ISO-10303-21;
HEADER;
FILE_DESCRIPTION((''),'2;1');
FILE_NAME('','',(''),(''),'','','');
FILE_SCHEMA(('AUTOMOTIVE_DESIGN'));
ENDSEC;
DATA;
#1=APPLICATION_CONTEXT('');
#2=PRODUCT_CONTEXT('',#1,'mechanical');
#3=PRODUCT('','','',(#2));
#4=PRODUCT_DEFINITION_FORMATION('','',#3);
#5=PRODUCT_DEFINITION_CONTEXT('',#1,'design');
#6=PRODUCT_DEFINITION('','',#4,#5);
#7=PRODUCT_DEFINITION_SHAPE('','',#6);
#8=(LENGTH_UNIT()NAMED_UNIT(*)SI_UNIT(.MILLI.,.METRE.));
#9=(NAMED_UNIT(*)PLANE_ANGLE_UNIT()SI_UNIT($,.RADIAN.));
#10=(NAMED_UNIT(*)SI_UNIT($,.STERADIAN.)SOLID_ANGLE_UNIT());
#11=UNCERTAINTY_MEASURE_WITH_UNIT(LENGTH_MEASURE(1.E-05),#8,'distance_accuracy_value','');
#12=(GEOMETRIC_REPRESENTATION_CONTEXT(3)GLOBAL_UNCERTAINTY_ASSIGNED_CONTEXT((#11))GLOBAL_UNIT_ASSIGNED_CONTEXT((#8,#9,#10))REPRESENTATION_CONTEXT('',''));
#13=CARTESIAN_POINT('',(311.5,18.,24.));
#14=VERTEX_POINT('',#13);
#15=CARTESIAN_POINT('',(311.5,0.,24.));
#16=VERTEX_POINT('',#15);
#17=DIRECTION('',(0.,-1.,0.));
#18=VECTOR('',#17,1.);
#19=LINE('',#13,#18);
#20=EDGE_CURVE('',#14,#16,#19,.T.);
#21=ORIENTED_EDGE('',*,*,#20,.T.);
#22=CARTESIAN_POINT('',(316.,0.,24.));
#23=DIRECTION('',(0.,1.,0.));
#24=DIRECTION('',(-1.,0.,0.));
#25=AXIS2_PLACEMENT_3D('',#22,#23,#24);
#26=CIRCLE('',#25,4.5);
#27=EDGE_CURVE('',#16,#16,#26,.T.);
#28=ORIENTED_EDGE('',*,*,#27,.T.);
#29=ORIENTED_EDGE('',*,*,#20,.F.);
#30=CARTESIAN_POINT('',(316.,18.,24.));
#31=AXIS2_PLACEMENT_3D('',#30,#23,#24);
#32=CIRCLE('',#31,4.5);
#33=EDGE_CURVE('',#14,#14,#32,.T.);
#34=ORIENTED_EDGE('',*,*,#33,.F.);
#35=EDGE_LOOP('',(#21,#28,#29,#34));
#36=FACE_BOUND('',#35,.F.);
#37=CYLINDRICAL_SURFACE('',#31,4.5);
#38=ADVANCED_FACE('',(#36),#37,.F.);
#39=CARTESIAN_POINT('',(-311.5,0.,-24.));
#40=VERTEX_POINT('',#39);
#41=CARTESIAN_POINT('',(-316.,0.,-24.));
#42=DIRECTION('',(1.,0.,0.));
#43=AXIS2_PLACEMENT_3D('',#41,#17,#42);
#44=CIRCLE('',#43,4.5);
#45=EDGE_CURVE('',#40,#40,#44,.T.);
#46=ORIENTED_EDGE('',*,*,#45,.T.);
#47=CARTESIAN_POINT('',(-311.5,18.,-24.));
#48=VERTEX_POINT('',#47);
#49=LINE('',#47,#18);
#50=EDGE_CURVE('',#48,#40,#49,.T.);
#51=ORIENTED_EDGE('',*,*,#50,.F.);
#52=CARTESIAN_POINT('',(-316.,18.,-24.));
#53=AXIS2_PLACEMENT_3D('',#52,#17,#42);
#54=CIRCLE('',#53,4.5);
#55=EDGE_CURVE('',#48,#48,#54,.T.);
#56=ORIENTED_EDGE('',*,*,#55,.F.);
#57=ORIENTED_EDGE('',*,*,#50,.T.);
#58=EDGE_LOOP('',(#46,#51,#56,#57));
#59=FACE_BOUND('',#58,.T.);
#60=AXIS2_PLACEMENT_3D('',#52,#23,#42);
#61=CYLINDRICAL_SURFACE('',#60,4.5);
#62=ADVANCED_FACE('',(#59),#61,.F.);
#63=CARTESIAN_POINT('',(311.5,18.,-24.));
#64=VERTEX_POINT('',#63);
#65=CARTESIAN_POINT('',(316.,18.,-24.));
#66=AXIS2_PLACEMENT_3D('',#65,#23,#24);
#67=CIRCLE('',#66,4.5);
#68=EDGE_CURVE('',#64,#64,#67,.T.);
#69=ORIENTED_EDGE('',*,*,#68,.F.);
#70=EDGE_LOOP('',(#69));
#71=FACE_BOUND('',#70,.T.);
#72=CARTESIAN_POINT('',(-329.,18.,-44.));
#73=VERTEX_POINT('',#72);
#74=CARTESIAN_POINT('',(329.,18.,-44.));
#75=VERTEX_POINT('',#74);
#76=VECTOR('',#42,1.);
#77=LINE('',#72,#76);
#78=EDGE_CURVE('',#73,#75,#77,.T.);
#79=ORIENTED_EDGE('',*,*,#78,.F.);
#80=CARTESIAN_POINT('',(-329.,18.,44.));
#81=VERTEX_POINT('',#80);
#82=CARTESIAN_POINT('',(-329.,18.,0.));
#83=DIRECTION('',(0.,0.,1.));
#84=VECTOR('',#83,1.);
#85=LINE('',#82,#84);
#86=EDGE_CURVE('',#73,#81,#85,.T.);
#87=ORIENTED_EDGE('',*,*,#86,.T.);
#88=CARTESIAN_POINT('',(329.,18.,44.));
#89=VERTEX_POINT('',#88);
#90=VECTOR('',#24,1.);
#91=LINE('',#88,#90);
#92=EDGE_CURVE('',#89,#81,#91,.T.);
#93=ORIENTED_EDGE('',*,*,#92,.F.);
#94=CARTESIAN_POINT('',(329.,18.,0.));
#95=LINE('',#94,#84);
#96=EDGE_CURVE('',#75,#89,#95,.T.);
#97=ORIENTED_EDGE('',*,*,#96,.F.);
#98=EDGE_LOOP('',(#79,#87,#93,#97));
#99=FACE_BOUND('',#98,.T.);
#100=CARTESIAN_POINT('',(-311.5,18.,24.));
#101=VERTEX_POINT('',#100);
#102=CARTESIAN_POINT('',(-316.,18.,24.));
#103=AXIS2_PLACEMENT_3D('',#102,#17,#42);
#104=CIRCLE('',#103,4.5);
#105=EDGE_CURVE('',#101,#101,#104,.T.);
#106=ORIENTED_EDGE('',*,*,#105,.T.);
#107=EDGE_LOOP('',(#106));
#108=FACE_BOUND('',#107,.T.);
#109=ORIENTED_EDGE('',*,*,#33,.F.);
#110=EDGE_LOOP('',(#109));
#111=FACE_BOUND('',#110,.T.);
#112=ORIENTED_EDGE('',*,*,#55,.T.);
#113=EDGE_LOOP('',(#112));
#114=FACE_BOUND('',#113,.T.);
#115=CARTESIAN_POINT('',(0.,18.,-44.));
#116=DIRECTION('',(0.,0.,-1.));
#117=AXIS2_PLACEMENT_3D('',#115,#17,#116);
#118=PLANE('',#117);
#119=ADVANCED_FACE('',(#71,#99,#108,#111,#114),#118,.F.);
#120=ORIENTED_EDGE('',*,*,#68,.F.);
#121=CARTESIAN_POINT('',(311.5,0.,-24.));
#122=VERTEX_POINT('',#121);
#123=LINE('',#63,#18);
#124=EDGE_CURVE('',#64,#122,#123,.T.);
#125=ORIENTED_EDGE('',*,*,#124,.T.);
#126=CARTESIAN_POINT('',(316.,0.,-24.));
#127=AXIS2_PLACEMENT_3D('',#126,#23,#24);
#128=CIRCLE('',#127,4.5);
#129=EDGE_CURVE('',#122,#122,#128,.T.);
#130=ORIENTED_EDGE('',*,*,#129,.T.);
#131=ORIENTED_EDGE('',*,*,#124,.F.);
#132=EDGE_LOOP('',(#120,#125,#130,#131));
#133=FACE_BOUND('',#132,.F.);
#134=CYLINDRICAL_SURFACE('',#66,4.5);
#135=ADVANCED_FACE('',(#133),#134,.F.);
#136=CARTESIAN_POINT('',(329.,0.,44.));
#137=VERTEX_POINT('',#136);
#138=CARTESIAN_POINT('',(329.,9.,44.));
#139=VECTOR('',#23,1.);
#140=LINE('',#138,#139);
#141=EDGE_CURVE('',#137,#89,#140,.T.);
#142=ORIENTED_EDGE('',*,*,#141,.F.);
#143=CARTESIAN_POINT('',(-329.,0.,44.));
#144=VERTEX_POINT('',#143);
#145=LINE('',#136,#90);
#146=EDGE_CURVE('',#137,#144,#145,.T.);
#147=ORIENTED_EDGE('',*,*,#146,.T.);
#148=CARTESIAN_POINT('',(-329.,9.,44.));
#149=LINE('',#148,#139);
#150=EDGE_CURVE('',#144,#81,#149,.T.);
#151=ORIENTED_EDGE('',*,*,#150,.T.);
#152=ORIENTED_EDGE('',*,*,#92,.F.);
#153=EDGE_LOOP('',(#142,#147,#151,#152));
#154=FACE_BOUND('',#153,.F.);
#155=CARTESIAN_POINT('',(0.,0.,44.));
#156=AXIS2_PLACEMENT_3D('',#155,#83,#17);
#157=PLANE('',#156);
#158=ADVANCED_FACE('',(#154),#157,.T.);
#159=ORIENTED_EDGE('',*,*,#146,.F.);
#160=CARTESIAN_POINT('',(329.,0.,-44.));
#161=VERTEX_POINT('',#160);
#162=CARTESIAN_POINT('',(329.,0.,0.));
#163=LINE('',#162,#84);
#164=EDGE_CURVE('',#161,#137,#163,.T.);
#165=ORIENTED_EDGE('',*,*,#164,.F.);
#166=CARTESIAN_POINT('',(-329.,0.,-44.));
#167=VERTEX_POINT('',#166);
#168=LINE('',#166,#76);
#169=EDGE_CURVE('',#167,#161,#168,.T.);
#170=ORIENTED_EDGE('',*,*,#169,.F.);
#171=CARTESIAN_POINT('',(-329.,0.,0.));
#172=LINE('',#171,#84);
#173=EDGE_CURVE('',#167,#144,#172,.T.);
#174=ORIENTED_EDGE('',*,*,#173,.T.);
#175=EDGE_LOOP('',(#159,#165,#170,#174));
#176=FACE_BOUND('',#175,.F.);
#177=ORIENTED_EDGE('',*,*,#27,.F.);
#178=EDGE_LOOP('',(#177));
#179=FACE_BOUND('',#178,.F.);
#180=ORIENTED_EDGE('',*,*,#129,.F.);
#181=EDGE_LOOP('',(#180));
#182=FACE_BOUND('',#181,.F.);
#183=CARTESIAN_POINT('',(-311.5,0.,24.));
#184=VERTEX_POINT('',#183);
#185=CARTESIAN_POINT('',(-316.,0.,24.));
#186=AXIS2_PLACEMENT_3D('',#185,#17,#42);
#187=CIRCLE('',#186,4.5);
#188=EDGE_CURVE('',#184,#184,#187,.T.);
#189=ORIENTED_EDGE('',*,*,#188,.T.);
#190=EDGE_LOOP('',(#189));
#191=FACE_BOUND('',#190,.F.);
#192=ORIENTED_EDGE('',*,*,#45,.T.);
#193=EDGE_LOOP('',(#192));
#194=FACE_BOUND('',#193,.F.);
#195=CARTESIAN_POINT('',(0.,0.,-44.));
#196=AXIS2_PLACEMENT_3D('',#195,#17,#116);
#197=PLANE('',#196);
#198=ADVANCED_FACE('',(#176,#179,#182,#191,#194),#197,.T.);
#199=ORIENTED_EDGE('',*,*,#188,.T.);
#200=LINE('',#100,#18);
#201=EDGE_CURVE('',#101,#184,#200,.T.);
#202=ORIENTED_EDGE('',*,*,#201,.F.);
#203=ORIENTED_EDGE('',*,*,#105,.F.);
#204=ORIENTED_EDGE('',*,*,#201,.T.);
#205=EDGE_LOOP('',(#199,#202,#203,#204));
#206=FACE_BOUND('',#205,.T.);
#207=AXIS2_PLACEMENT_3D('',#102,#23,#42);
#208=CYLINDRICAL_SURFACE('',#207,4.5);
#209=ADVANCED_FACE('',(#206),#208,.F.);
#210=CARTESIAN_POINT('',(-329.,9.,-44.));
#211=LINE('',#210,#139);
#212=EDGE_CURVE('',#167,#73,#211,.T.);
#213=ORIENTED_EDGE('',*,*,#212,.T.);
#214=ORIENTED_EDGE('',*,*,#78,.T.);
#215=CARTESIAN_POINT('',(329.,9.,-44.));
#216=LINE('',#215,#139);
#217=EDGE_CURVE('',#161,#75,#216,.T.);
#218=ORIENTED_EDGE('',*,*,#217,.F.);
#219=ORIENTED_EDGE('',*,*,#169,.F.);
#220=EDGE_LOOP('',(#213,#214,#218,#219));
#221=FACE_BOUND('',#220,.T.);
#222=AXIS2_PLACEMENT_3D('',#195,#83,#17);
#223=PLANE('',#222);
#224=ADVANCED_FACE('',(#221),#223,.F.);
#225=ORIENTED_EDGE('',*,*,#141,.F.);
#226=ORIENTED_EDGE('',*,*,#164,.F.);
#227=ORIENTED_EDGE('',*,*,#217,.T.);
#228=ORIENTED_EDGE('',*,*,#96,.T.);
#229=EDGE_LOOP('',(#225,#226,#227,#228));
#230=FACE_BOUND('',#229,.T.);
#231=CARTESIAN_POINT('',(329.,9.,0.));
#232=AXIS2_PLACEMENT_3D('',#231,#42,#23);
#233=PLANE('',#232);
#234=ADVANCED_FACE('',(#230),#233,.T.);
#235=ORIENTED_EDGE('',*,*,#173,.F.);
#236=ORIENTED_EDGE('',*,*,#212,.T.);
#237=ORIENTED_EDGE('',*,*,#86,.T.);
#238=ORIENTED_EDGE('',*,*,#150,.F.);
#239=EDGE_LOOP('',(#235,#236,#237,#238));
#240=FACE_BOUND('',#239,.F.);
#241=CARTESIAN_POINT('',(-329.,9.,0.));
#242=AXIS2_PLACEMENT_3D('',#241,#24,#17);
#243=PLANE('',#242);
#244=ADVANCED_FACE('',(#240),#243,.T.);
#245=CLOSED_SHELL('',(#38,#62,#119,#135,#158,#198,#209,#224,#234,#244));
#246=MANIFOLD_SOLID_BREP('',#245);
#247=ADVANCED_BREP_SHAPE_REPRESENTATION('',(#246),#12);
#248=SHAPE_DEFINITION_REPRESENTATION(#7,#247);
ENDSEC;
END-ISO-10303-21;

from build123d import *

# Parameters (mm, degrees)
F0_W     = 18
F0_H     = 88
F1_DEPTH = 329
F2_R     = 4.5
F3_DEPTH = 18.001


with BuildPart() as f1:
    # F0 (on Right) → F1 (new body)
    with BuildSketch(Plane.YZ):
        with Locations((9, 0)):
            Rectangle(F0_W, F0_H)
    extrude(amount=F1_DEPTH)

    # F2 (on face) → F3 (cut, through all)
    with BuildSketch(Plane(origin=(0, 18, 0), x_dir=(-1, 0, 0), z_dir=(0, 1, 0))):
        with Locations((-316, 24)):
            Circle(F2_R)
        with Locations((-316, -24)):
            Circle(F2_R)
    extrude(amount=-F3_DEPTH, mode=Mode.SUBTRACT)

    # F4: F1 across plane


with BuildPart() as f1_1:
    add(f1.part)
    add(f1.part.mirror(Plane.YZ))


solid = f1_1.part
